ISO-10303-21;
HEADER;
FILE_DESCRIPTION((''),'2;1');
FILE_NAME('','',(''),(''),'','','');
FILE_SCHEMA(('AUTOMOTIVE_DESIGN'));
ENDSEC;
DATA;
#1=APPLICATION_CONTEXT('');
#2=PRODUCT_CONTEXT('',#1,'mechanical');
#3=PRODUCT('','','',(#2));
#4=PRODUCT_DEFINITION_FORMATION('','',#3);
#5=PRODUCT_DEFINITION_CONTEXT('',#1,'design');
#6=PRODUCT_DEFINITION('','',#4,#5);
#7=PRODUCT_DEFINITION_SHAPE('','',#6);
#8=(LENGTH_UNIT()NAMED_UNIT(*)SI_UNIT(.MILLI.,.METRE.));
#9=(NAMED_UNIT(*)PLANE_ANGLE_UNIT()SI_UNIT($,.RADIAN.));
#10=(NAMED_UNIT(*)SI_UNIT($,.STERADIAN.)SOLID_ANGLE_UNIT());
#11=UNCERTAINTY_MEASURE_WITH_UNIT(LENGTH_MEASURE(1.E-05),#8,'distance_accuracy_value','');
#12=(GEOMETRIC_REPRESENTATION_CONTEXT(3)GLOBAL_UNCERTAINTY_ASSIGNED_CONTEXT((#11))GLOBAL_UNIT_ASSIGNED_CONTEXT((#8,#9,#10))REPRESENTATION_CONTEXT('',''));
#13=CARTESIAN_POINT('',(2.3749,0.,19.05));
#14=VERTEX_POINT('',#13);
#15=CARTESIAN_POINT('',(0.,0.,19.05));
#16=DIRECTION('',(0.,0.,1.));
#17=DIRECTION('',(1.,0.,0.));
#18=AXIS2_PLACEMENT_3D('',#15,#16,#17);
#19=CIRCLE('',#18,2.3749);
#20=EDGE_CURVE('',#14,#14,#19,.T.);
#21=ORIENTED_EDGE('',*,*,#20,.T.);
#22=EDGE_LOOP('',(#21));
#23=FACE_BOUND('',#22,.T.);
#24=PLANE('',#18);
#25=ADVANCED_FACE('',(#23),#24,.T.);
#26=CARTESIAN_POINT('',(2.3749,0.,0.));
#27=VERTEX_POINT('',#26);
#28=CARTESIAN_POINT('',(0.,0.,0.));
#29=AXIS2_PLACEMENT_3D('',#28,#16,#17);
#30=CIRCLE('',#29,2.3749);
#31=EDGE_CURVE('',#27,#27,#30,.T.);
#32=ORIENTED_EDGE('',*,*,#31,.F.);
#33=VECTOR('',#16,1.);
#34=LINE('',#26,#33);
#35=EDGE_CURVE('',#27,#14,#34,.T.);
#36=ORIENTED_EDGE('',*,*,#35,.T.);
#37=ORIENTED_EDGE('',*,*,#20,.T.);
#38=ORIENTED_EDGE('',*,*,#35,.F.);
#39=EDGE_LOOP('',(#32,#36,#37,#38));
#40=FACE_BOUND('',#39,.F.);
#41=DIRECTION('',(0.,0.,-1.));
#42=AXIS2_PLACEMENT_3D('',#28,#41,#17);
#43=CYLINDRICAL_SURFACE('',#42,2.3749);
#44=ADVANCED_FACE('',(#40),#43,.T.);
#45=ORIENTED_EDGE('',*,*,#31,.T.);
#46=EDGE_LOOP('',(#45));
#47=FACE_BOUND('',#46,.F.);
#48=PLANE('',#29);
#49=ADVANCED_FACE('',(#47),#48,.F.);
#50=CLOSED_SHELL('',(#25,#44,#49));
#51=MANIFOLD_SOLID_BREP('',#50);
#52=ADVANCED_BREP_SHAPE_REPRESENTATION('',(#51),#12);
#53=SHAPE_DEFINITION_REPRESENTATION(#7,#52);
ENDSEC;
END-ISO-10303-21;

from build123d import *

# Parameters (mm, degrees)
SKETCH1_R           = 2.3749
BOSS_EXTRUDE1_DEPTH = 19.05


with BuildPart() as part:
    # Sketch1 → Boss-Extrude1 (new body)
    with BuildSketch(Plane.XY):
        Circle(SKETCH1_R)
    extrude(amount=BOSS_EXTRUDE1_DEPTH)


solid = part.part
